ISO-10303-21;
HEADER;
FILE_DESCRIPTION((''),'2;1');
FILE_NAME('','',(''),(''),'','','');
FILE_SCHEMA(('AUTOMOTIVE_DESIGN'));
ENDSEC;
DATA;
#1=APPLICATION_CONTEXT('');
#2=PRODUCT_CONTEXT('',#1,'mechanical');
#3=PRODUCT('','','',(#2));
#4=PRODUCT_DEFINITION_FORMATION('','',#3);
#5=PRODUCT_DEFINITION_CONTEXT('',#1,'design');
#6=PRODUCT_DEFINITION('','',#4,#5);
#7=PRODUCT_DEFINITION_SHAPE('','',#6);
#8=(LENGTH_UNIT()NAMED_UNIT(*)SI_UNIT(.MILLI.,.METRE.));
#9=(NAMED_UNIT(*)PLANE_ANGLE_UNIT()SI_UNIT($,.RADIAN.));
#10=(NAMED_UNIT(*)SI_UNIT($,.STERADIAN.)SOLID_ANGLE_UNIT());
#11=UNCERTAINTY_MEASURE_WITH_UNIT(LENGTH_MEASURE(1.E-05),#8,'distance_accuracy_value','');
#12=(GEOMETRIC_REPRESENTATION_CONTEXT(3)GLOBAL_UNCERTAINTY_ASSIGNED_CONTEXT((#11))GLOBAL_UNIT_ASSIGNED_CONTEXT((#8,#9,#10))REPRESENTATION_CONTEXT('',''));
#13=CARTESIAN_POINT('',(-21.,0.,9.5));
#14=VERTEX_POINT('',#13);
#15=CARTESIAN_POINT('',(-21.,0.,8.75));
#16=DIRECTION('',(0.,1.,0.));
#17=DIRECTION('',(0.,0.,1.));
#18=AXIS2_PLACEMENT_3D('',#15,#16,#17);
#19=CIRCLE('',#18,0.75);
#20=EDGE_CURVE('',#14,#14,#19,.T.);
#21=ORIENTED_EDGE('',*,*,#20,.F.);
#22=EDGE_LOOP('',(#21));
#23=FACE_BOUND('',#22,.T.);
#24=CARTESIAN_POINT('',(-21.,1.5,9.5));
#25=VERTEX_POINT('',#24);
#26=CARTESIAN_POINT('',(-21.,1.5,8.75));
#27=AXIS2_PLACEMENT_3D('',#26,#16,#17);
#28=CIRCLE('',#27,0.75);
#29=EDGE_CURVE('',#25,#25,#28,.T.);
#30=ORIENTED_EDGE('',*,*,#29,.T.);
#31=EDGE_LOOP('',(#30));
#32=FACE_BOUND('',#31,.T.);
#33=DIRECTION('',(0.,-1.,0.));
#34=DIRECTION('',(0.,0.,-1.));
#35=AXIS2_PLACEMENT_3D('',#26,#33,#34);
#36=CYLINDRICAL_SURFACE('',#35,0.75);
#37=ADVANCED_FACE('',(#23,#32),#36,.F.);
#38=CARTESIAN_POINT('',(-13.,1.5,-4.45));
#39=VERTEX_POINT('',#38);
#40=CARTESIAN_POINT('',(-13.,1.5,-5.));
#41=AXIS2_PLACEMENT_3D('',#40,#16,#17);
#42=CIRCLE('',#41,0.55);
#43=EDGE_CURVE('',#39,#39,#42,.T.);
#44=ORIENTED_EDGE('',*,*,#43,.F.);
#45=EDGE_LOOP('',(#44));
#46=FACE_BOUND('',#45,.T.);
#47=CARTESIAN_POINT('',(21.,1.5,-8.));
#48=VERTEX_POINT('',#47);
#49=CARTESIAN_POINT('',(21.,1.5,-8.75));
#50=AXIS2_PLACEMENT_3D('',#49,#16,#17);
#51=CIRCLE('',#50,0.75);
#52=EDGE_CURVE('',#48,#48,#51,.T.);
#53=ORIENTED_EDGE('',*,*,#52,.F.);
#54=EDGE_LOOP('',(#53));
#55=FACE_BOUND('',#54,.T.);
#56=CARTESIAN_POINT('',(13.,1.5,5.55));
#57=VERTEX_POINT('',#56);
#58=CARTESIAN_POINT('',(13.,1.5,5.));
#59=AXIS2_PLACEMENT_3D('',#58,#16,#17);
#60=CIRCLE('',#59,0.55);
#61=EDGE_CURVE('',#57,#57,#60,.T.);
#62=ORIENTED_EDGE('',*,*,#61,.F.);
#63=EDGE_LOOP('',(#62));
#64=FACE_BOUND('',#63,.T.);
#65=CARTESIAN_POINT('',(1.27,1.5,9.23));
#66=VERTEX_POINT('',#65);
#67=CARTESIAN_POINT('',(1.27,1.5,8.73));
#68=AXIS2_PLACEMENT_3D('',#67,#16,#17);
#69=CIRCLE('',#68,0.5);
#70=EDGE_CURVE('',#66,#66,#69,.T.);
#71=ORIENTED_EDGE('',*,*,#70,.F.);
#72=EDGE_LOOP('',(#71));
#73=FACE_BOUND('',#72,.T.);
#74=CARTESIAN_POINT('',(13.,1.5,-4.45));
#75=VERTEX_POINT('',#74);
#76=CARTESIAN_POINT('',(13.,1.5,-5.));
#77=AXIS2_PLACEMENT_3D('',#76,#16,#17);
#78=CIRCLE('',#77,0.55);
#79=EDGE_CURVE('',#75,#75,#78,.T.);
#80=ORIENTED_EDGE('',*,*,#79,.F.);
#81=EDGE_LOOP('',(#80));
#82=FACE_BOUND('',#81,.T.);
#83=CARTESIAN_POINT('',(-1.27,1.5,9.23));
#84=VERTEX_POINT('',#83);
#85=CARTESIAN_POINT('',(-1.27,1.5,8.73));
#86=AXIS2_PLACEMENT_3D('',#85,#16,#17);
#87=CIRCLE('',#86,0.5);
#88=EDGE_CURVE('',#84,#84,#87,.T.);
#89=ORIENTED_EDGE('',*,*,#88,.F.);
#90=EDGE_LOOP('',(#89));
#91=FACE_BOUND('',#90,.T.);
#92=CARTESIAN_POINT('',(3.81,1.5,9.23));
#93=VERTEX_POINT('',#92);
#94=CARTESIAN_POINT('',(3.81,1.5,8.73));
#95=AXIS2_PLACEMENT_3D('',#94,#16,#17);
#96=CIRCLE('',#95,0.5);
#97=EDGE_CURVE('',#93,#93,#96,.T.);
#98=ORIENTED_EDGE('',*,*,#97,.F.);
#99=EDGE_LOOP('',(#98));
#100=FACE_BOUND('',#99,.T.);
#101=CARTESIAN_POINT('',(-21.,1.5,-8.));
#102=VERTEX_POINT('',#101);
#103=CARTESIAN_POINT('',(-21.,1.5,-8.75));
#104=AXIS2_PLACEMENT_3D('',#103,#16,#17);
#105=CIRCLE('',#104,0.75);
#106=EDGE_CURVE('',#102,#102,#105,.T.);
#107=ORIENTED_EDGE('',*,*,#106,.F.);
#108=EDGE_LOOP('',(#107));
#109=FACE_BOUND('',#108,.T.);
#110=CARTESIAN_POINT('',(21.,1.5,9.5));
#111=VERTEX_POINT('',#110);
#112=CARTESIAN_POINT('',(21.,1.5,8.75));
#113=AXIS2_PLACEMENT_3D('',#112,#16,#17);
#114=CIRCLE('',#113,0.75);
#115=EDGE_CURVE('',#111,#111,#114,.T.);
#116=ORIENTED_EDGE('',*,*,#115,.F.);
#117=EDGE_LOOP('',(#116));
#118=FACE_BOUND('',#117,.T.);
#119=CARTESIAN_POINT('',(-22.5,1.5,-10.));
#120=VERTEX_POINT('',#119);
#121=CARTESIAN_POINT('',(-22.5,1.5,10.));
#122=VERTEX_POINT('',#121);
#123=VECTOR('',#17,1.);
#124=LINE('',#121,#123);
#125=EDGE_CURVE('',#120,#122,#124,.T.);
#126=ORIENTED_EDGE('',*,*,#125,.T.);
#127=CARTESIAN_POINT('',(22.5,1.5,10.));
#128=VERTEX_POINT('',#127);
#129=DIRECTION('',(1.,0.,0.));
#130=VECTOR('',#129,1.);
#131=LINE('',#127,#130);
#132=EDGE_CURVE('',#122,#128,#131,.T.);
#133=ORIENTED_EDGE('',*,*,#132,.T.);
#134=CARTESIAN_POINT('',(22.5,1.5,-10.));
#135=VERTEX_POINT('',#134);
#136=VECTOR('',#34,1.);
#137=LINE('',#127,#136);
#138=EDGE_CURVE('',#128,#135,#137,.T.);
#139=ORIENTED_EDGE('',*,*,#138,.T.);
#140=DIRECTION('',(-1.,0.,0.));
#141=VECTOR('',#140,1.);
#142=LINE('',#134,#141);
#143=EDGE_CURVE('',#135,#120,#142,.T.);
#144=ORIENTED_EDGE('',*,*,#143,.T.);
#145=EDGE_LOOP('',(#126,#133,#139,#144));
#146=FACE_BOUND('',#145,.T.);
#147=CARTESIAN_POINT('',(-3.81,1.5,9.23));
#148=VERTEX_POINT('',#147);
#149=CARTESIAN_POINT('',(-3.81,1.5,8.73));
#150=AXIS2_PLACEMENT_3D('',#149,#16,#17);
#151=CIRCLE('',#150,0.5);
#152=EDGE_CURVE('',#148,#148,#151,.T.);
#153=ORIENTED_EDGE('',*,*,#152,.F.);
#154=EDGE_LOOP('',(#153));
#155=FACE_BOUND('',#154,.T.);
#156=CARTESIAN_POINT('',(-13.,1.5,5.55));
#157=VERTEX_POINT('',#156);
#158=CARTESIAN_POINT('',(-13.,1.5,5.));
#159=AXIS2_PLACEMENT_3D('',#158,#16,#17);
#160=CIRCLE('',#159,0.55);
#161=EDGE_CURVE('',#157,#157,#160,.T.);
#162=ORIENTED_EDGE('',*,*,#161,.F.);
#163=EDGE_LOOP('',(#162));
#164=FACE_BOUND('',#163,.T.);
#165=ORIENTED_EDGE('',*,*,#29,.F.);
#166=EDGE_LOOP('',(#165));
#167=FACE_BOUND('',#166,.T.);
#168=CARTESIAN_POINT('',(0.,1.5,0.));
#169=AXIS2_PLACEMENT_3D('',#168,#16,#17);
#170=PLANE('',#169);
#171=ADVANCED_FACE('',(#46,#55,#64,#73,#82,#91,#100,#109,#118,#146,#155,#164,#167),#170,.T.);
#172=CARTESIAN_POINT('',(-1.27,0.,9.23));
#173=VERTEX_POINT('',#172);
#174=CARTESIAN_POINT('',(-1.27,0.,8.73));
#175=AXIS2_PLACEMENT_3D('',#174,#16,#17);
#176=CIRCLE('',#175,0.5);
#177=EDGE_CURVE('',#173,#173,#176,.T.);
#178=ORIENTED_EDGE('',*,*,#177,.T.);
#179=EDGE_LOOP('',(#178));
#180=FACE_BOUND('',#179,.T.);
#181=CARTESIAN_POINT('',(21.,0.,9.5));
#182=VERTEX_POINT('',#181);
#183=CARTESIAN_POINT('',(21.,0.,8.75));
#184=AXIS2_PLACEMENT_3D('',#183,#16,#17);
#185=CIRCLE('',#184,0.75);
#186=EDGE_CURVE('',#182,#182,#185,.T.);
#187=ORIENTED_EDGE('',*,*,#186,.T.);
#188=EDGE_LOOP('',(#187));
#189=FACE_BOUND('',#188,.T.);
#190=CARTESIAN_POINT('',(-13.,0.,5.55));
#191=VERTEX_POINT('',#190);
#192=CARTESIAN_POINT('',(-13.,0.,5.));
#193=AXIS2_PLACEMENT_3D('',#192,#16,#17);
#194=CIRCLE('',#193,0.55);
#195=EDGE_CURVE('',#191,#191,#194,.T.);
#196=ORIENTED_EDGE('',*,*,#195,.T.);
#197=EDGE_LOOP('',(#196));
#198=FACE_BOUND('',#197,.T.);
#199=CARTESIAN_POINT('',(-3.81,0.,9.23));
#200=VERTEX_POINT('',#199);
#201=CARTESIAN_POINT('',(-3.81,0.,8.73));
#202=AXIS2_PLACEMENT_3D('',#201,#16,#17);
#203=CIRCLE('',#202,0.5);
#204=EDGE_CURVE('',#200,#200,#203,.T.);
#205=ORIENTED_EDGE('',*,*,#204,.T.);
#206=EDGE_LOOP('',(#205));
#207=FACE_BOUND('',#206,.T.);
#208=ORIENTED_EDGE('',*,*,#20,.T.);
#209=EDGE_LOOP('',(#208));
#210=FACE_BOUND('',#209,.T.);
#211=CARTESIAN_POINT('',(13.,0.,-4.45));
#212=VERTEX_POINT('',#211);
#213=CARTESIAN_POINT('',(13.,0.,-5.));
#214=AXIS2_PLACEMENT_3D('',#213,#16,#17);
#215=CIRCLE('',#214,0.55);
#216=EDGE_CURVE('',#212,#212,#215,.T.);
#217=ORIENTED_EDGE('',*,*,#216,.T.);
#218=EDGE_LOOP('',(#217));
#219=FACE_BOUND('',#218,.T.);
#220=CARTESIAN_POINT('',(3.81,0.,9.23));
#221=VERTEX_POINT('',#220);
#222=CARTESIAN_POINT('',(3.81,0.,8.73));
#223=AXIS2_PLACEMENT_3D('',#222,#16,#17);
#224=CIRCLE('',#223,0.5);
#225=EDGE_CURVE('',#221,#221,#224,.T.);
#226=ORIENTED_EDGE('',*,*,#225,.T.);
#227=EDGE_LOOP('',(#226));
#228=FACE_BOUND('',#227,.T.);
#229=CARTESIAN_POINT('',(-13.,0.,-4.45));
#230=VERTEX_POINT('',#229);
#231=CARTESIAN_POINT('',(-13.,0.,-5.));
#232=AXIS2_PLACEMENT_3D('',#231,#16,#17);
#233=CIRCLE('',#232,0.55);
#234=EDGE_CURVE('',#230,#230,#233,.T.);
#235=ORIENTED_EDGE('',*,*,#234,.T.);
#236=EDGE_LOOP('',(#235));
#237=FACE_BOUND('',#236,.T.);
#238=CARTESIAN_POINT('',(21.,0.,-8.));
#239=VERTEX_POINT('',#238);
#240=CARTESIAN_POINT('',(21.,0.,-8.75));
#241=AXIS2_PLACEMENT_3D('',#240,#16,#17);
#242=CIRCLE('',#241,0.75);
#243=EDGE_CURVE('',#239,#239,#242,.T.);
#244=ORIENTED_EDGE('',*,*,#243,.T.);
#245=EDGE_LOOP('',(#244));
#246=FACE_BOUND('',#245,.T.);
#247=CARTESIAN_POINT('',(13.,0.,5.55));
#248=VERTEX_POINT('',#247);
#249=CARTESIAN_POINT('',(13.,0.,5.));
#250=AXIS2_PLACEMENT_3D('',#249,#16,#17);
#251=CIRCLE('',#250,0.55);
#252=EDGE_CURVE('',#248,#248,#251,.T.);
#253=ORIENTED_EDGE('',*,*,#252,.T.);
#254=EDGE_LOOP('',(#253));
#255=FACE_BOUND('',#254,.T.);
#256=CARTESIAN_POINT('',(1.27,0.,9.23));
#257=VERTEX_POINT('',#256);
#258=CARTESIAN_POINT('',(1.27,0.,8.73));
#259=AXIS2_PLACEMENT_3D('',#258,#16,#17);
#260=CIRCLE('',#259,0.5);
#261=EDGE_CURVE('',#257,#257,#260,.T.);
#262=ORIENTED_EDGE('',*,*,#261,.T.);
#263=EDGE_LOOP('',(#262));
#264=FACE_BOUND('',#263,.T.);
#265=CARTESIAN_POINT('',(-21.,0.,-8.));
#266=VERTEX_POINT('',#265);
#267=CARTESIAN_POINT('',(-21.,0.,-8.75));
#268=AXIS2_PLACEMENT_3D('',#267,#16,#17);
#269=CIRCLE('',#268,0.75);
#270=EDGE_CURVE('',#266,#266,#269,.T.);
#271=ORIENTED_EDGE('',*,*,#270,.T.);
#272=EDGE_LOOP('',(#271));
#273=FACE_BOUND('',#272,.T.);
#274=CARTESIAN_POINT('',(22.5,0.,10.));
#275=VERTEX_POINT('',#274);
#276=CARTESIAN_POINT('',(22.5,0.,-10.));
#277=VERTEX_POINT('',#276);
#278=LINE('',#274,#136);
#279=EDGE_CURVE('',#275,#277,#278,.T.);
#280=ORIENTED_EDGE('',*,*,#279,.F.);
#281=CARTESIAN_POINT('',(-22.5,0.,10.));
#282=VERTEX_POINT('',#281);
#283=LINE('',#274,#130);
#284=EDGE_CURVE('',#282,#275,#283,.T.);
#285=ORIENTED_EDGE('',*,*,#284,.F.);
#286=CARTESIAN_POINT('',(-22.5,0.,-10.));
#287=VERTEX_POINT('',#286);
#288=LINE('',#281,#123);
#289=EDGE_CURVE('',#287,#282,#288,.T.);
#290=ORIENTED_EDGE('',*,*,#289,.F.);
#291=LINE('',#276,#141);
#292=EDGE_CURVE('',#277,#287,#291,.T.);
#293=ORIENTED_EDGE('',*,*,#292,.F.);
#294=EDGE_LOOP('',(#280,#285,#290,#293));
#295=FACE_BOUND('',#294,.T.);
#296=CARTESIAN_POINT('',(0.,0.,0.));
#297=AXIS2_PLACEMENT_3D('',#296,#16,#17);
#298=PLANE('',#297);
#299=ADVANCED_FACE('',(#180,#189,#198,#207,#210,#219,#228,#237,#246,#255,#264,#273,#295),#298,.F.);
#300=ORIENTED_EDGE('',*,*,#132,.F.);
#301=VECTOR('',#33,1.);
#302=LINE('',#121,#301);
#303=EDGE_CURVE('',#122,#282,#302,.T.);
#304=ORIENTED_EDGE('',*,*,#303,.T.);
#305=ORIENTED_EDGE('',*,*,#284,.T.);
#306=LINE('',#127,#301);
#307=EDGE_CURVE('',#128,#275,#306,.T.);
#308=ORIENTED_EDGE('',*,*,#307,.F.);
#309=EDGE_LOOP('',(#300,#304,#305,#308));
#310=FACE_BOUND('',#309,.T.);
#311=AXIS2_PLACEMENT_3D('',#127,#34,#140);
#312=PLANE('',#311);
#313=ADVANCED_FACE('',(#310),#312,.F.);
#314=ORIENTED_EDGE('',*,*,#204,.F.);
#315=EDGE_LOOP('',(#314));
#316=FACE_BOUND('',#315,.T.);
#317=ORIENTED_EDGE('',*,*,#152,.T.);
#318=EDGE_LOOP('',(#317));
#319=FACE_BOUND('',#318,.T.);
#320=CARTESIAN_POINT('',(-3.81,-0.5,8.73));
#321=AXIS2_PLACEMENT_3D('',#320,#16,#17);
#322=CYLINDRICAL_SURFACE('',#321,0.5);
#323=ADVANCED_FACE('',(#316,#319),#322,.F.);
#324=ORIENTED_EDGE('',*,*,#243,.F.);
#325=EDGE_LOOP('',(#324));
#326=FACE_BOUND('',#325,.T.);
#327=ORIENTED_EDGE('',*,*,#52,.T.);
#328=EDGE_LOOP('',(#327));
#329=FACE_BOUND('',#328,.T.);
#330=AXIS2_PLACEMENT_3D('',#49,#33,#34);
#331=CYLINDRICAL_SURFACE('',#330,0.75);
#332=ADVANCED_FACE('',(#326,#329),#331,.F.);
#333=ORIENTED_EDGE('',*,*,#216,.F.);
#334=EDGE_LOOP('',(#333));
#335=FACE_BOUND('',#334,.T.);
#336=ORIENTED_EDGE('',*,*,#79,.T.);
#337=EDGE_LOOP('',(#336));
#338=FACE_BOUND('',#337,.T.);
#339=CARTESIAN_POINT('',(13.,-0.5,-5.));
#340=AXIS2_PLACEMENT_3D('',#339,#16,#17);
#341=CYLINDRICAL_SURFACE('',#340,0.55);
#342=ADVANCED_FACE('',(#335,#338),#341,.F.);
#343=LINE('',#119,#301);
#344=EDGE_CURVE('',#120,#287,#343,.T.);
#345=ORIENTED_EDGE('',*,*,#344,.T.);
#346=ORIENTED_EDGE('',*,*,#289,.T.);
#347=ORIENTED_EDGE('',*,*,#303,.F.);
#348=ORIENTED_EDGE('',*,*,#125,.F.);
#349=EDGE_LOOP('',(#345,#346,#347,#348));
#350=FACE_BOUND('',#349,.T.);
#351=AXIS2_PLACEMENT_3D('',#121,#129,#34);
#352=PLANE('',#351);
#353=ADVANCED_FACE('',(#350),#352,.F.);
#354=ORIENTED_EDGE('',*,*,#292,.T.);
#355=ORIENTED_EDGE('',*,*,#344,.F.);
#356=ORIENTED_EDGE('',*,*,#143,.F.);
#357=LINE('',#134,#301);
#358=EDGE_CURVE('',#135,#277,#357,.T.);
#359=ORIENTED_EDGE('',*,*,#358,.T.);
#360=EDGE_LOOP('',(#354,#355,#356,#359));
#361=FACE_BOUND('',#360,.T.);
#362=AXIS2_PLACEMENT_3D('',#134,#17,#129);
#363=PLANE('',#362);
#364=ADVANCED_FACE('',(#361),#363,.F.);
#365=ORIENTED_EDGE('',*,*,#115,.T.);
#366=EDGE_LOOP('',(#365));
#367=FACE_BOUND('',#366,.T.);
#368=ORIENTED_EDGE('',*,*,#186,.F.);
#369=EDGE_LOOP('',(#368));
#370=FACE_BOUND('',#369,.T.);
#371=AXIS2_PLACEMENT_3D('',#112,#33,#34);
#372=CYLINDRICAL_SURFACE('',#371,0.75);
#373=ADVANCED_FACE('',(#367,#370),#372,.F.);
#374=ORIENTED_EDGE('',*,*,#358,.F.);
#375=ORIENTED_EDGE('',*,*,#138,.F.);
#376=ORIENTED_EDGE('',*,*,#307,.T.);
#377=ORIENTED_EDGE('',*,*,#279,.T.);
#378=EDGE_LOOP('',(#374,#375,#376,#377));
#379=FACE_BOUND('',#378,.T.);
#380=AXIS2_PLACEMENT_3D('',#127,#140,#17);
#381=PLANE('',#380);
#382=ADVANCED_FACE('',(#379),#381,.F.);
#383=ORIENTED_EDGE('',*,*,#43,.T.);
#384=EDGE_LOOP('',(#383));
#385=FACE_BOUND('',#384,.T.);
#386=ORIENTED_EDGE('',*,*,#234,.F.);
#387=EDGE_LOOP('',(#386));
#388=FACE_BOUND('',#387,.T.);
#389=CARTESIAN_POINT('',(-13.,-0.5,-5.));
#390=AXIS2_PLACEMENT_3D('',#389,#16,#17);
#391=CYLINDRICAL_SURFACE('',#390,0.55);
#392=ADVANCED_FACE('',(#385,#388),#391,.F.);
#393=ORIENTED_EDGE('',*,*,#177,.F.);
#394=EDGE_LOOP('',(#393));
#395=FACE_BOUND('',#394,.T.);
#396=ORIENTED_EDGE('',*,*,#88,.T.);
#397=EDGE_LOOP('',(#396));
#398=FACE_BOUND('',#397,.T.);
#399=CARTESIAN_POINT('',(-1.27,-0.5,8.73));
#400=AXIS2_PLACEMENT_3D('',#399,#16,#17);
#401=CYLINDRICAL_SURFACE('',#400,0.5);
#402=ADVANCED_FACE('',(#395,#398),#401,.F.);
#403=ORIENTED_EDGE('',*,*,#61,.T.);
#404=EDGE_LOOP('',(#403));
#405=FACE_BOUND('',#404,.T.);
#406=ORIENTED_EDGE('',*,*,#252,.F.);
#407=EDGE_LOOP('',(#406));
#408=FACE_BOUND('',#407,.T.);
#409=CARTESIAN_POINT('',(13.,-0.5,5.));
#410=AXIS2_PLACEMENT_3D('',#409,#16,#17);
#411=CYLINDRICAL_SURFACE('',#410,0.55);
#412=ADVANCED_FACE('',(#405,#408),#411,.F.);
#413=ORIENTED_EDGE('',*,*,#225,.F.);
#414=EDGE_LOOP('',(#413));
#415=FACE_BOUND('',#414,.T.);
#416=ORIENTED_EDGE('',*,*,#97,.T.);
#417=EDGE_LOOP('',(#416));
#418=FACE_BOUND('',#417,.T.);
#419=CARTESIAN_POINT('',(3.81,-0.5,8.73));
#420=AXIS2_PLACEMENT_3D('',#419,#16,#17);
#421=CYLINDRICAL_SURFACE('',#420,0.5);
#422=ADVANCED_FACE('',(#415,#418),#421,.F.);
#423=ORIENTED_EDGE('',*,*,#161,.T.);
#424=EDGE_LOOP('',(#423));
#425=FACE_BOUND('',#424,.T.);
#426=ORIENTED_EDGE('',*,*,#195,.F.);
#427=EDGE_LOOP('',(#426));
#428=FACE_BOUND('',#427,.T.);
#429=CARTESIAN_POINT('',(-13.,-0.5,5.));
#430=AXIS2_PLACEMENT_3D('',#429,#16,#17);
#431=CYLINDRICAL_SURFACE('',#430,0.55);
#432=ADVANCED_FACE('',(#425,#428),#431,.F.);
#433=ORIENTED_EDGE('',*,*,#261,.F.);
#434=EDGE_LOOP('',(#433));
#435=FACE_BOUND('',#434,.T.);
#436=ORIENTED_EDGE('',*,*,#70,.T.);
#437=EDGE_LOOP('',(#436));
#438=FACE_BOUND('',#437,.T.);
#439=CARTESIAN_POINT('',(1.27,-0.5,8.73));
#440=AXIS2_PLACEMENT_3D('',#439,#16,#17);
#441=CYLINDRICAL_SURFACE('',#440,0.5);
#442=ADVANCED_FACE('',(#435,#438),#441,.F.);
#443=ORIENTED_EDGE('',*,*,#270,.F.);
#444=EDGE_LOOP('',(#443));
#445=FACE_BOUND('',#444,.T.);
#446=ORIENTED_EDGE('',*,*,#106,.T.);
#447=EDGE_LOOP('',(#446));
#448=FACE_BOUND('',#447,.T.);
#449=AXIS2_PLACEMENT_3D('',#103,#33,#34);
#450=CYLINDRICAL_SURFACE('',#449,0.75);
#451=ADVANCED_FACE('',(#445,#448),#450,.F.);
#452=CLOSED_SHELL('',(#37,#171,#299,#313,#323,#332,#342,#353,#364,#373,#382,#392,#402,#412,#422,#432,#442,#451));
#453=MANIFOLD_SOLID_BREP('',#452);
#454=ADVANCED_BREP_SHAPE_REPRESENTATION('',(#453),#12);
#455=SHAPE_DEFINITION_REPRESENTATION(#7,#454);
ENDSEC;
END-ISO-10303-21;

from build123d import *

# Parameters (mm, degrees)
SKETCH1_W   = 45
SKETCH1_H   = 20
SKETCH1_R   = 0.75
PCB_DEPTH   = 1.5
SKETCH2_R   = 0.5
SKETCH2_R_2 = 0.55
HOLES_DEPTH = 2


with BuildPart() as part:
    # Sketch1 → PCB (new body)
    with BuildSketch(Plane(origin=(0, 0, 0), x_dir=(1, 0, 0), z_dir=(0, 1, 0))):
        Rectangle(SKETCH1_W, SKETCH1_H)
        with Locations(Location((-21, 8.75, 0), (0, 0, 270))):
            Circle(SKETCH1_R, mode=Mode.SUBTRACT)
        with Locations(Location((-21, -8.75, 0), (0, 0, 270))):
            Circle(SKETCH1_R, mode=Mode.SUBTRACT)
        with Locations(Location((21, -8.75, 0), (0, 0, 270))):
            Circle(SKETCH1_R, mode=Mode.SUBTRACT)
        with Locations(Location((21, 8.75, 0), (0, 0, 270))):
            Circle(SKETCH1_R, mode=Mode.SUBTRACT)
    extrude(amount=PCB_DEPTH)

    # Sketch2 → Holes (cut)
    with BuildSketch(Plane(origin=(0, 1.5, 0), x_dir=(1, 0, 0), z_dir=(0, 1, 0))):
        with Locations(Location((-3.81, -8.73, 0), (0, 0, 270))):
            Circle(SKETCH2_R)
        with Locations(Location((-1.27, -8.73, 0), (0, 0, 270))):
            Circle(SKETCH2_R)
        with Locations(Location((1.27, -8.73, 0), (0, 0, 270))):
            Circle(SKETCH2_R)
        with Locations(Location((3.81, -8.73, 0), (0, 0, 270))):
            Circle(SKETCH2_R)
        with Locations(Location((13, 5, 0), (0, 0, 270))):
            Circle(SKETCH2_R_2)
        with Locations(Location((13, -5, 0), (0, 0, 270))):
            Circle(SKETCH2_R_2)
        with Locations(Location((-13, -5, 0), (0, 0, 270))):
            Circle(SKETCH2_R_2)
        with Locations(Location((-13, 5, 0), (0, 0, 270))):
            Circle(SKETCH2_R_2)
    extrude(amount=-HOLES_DEPTH, mode=Mode.SUBTRACT)


solid = part.part
